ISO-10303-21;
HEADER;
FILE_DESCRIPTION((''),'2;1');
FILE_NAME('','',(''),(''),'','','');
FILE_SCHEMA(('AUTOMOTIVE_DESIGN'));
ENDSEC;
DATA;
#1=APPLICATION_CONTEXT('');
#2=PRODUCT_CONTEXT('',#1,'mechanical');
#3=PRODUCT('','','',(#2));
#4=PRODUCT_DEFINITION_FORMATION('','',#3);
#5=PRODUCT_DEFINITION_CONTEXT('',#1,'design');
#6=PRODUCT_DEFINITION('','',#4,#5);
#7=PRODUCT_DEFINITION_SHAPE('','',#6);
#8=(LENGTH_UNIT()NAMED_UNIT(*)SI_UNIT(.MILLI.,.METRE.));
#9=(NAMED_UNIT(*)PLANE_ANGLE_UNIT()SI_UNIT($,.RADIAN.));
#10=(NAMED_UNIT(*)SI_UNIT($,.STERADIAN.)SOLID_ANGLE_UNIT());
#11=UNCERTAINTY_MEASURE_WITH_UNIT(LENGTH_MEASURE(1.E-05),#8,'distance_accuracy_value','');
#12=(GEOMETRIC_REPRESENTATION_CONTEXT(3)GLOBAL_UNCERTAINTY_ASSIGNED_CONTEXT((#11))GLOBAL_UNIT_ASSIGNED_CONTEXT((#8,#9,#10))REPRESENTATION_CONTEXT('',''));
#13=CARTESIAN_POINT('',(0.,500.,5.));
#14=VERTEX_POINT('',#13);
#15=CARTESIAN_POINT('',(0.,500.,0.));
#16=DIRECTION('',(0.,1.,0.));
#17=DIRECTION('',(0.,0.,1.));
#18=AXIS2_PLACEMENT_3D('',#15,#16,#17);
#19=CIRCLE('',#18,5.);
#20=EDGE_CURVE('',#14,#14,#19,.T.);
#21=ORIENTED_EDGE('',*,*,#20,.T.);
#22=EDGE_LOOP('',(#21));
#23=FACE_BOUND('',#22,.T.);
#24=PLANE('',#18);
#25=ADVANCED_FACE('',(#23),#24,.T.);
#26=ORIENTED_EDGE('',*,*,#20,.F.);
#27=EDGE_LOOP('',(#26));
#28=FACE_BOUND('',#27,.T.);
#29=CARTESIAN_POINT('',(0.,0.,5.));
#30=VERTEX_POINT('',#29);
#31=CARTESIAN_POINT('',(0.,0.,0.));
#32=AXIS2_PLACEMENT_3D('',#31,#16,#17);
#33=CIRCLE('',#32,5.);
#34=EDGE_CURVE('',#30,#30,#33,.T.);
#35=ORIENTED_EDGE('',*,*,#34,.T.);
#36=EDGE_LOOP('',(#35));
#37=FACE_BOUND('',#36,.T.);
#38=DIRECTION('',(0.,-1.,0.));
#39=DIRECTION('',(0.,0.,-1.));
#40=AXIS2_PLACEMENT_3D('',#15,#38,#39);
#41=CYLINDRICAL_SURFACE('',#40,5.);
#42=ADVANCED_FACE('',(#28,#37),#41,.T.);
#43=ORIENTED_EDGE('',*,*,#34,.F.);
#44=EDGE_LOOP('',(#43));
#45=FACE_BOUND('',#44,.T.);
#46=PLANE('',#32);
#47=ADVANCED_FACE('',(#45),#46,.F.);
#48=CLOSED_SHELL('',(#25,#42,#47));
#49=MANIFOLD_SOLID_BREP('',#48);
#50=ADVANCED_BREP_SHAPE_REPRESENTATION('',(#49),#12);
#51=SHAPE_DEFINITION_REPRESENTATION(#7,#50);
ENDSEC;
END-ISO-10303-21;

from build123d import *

# Parameters (mm, degrees)
SKETCH1_R           = 5
BOSS_EXTRUDE1_DEPTH = 500


with BuildPart() as part:
    # Sketch1 → Boss-Extrude1 (new body)
    with BuildSketch(Plane(origin=(0, 0, 0), x_dir=(1, 0, 0), z_dir=(0, 1, 0))):
        with Locations(Location((0, 0, 0), (0, 0, 270))):  # turned: the seam where the file's is
            Circle(SKETCH1_R)
    extrude(amount=BOSS_EXTRUDE1_DEPTH)


solid = part.part
